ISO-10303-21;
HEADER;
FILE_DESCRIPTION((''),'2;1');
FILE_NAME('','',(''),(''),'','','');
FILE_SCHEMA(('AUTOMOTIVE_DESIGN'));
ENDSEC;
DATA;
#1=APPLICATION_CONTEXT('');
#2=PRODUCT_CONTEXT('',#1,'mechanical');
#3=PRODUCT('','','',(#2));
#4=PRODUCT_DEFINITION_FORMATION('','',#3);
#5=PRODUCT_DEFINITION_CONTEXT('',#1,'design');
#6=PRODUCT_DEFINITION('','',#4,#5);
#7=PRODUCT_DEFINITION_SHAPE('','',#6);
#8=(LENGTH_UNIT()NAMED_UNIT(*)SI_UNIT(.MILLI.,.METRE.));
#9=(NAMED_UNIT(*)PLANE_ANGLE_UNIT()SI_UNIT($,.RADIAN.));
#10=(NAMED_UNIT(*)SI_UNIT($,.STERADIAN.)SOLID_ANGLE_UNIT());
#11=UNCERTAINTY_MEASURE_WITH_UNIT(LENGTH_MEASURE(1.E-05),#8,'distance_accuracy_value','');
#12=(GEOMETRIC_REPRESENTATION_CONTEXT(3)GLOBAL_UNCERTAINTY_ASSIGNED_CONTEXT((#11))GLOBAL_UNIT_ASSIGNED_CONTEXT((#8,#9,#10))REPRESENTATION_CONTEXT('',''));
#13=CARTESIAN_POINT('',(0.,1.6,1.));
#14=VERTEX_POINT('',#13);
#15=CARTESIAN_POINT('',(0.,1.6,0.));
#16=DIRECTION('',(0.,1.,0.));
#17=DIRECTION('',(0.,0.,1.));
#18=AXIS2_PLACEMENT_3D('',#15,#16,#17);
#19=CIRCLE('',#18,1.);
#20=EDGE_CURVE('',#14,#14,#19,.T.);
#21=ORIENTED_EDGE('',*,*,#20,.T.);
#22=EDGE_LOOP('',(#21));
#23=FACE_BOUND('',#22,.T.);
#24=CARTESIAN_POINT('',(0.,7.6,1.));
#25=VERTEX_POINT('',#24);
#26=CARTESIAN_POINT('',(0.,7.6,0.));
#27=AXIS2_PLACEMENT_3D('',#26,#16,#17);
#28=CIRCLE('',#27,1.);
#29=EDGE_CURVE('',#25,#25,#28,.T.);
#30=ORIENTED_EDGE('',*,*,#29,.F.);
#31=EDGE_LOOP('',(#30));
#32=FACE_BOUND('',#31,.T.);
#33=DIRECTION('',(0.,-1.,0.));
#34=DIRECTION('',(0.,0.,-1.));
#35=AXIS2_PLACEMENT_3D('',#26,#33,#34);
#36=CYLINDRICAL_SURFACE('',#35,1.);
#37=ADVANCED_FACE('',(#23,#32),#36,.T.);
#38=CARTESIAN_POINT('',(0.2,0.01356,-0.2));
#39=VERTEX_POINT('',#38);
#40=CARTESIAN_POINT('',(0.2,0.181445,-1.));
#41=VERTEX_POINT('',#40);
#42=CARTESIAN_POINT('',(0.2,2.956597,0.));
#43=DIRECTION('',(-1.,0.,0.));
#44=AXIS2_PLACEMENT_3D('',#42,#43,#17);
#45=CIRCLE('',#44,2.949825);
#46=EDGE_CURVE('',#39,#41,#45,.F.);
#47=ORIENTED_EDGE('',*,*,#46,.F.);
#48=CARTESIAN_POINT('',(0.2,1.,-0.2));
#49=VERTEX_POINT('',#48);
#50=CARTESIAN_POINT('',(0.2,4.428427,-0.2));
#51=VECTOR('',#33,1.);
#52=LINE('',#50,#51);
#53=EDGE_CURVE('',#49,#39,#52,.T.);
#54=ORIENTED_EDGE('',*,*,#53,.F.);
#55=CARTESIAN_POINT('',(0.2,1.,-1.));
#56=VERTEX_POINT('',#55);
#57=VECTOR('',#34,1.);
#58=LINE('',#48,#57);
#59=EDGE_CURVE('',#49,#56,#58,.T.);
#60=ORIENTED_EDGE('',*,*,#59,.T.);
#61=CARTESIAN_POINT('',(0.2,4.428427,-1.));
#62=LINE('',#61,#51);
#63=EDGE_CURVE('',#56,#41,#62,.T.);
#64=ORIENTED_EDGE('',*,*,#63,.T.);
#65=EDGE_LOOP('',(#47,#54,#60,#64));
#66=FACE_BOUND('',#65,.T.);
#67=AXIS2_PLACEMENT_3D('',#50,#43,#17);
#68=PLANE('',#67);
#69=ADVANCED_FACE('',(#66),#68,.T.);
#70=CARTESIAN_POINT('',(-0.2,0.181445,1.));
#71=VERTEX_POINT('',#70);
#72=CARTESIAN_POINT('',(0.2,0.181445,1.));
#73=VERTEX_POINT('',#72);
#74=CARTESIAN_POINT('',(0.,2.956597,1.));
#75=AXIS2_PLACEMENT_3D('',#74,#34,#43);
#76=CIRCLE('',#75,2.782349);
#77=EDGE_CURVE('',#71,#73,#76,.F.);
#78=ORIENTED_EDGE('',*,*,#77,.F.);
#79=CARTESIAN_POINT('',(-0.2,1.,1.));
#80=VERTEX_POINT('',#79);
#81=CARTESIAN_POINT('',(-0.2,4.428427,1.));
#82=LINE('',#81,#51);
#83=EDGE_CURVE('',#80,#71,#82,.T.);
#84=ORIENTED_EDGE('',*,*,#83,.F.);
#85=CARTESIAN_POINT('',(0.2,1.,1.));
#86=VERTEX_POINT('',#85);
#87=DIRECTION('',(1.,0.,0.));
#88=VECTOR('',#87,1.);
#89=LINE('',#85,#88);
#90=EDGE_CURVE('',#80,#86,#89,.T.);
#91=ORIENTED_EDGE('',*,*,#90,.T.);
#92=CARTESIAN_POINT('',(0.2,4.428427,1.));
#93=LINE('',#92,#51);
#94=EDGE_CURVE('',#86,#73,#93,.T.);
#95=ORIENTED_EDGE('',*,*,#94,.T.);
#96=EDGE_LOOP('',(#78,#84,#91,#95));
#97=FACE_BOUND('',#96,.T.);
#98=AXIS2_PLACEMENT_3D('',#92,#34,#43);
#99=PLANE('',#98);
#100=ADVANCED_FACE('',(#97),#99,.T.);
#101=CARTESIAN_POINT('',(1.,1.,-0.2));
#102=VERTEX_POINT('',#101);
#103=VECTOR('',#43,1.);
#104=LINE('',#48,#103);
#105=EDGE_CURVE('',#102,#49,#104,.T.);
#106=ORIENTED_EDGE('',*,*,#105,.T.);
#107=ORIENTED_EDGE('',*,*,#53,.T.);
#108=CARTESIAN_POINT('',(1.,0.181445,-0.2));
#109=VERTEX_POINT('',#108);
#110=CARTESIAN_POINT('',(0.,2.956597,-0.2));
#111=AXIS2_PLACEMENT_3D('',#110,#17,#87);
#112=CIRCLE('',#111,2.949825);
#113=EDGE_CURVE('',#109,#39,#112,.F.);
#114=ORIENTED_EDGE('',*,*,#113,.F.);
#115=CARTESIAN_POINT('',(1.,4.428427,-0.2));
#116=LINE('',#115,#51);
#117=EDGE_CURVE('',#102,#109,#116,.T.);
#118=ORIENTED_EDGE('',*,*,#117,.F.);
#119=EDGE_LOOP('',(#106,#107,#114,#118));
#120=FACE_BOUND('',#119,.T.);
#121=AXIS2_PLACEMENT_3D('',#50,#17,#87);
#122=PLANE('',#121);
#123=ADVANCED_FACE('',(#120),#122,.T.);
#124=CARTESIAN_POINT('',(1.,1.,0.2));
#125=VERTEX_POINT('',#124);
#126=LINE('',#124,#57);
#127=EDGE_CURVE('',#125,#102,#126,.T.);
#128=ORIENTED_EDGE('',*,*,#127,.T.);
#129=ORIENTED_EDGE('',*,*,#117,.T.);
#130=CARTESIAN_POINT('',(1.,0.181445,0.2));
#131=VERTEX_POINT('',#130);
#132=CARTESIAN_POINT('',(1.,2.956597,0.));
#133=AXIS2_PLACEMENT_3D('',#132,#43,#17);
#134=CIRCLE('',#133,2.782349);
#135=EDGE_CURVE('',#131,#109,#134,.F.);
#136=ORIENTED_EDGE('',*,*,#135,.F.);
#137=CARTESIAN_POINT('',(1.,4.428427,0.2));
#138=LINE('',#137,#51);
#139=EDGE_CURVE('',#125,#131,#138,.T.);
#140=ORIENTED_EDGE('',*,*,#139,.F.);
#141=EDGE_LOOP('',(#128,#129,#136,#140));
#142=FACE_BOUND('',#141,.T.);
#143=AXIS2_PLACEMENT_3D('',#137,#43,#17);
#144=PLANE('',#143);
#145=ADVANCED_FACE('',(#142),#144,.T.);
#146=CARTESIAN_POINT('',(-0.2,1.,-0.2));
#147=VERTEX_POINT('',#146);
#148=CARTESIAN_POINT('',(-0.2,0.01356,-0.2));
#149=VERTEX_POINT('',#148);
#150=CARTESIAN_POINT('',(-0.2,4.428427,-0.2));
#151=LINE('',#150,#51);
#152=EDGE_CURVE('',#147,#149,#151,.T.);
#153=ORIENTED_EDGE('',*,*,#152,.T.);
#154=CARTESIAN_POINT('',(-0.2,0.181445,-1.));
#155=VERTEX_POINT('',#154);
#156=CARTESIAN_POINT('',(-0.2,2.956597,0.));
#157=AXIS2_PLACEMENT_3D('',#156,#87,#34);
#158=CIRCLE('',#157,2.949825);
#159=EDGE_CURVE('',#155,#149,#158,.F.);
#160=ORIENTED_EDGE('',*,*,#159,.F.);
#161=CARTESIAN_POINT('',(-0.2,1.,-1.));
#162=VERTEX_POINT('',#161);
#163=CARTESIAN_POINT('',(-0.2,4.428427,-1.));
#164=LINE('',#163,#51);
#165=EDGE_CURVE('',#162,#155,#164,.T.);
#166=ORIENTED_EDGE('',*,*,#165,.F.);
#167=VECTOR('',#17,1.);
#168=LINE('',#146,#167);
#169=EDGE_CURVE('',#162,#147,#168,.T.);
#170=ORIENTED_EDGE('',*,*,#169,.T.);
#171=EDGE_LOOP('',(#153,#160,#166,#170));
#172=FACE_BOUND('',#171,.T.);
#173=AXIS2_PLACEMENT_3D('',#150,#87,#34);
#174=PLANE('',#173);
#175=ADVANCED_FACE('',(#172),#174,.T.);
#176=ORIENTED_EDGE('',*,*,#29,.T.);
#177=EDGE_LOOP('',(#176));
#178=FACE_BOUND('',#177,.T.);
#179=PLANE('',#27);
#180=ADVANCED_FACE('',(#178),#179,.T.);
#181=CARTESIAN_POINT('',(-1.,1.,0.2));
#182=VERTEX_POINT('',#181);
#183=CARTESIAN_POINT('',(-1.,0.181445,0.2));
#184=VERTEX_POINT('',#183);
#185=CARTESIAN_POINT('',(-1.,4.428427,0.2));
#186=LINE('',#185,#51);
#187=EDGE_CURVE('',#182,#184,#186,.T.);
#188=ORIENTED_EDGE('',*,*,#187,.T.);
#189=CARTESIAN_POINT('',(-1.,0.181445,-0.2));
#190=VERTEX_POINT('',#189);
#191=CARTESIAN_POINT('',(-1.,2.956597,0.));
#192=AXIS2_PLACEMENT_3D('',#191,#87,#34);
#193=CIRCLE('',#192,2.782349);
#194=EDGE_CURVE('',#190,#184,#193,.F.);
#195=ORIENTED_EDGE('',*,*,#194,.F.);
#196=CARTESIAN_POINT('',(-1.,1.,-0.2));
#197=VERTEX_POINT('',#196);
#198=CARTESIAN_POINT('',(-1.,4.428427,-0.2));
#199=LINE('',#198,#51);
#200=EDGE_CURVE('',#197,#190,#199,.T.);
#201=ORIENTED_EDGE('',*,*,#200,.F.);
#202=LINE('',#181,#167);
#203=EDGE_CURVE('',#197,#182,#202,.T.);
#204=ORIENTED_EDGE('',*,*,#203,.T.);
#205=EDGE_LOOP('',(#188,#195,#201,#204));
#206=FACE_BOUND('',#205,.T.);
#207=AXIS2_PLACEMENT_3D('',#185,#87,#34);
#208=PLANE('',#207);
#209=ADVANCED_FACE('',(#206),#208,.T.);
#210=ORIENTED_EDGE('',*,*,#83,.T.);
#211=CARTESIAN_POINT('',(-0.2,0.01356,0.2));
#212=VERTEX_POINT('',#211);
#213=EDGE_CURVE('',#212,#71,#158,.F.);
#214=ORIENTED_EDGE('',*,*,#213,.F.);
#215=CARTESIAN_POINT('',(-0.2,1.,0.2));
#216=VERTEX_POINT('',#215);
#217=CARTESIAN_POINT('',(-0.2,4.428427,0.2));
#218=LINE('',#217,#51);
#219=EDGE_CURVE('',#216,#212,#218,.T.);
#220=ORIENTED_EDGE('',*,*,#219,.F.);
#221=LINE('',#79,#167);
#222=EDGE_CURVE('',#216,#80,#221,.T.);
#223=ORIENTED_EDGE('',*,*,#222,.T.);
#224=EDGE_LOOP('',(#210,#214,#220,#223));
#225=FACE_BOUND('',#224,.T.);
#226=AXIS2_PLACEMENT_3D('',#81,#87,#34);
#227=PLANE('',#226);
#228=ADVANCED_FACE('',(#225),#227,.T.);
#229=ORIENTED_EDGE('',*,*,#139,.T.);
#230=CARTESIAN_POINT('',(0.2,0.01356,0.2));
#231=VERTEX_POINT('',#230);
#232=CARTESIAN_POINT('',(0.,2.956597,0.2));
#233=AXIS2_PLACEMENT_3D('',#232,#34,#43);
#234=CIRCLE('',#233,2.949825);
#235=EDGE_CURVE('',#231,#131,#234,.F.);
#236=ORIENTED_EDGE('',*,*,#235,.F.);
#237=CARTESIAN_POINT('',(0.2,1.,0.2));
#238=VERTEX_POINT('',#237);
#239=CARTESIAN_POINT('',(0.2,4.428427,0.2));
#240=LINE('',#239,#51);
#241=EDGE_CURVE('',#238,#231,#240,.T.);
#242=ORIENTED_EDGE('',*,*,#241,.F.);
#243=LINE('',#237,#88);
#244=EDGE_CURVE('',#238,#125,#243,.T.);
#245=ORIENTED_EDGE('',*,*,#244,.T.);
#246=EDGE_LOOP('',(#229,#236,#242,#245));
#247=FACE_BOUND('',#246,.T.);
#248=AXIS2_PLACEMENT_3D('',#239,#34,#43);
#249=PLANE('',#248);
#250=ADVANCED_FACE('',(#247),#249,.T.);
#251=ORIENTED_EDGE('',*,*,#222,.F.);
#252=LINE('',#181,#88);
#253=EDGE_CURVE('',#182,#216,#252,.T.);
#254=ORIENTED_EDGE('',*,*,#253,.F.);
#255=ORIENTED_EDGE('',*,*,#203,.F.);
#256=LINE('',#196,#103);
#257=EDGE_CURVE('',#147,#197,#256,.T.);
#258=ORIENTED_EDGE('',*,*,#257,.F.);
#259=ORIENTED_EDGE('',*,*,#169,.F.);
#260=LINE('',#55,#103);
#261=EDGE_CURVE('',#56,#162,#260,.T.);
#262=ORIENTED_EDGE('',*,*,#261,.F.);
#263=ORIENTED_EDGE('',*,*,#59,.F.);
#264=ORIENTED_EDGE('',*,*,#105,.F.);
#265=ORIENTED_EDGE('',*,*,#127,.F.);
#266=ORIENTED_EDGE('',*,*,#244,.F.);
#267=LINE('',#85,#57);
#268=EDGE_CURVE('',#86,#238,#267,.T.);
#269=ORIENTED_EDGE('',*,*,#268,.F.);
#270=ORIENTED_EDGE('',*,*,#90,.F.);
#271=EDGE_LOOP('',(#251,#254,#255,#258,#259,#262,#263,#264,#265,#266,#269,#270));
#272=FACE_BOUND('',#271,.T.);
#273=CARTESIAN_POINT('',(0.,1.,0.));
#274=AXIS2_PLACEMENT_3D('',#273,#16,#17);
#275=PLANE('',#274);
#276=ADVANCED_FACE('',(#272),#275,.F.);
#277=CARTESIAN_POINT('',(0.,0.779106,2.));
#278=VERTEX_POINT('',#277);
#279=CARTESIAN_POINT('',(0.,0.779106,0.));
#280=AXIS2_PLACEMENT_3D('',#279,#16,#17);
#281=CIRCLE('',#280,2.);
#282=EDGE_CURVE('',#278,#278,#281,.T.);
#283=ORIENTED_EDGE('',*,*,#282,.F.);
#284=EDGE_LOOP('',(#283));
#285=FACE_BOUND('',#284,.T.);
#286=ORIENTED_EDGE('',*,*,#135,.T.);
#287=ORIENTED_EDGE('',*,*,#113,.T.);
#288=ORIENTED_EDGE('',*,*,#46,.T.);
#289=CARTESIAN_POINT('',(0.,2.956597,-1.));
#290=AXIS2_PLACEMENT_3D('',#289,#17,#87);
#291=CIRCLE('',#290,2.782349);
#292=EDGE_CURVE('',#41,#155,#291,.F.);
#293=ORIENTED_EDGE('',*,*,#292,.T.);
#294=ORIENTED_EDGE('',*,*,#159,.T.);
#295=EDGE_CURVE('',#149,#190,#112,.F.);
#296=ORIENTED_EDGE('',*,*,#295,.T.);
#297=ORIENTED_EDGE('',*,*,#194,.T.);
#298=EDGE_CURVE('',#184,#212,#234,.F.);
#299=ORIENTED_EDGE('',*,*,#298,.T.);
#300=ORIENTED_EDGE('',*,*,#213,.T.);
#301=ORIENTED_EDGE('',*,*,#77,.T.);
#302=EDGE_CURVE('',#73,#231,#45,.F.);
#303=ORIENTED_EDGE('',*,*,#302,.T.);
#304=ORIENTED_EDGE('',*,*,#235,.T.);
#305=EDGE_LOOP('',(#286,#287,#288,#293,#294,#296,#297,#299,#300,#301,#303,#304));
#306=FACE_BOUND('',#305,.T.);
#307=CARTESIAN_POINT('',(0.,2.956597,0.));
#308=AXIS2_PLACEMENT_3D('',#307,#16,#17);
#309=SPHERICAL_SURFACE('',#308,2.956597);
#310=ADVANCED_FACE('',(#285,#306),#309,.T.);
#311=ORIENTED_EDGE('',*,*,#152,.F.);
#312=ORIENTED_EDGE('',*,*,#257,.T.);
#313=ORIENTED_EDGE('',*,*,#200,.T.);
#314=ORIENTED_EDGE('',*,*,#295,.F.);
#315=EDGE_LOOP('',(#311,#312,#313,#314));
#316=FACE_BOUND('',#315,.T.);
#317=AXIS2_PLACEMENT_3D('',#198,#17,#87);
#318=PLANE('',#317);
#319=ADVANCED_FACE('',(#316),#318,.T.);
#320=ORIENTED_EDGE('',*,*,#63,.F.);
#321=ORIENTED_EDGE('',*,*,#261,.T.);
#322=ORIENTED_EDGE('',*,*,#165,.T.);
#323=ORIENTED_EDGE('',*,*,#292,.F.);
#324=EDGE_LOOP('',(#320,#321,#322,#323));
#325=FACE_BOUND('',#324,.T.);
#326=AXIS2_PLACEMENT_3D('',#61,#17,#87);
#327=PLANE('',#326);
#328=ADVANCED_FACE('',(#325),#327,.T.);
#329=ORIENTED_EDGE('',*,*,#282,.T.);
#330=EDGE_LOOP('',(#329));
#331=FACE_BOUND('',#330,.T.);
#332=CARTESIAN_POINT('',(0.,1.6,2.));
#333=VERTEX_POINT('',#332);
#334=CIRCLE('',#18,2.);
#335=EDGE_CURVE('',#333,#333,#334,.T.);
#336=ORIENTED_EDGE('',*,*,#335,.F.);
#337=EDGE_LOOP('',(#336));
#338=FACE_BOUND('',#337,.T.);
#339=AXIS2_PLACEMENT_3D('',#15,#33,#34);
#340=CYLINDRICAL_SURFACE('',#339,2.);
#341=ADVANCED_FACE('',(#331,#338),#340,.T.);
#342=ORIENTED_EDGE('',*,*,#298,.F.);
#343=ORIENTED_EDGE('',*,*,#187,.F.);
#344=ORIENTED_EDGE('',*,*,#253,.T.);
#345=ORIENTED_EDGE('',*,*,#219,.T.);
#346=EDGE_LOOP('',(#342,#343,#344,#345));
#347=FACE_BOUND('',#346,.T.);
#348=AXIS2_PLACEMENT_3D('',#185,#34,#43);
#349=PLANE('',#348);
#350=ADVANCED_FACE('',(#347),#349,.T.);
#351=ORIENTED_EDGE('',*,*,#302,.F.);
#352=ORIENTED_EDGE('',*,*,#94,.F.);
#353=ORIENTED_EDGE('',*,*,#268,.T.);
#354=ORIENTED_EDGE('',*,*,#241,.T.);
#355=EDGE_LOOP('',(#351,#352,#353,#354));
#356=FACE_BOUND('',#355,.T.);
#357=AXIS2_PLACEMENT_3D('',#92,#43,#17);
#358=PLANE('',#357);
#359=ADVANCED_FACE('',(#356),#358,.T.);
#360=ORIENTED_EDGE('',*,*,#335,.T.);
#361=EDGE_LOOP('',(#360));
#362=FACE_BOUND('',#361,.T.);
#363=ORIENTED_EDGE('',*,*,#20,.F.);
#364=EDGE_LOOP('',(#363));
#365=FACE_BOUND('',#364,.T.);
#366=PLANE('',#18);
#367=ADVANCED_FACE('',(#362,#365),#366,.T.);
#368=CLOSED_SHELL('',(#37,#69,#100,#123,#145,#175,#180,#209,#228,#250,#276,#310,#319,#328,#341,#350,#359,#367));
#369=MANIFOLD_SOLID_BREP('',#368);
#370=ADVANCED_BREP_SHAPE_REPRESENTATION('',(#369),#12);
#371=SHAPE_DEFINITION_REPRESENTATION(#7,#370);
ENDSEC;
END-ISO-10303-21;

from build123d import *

# Parameters (mm, degrees)
SKETCH_1_R          = 2
EXTRUDE_1_DEPTH     = 1.6
SKETCH_2_R          = 1
EXTRUDE_2_DEPTH     = 6
CUT_EXTRUDE_1_DEPTH = 6


with BuildPart() as part:
    # 草图1 → 凸台-拉伸1 (new body)
    with BuildSketch(Plane(origin=(0, 0, 0), x_dir=(1, 0, 0), z_dir=(0, 1, 0))):
        Circle(SKETCH_1_R)
    extrude(amount=EXTRUDE_1_DEPTH)

    # 草图2 → 凸台-拉伸2 (add)
    with BuildSketch(Plane(origin=(0, 1.6, 0), x_dir=(1, 0, 0), z_dir=(0, 1, 0))):
        Circle(SKETCH_2_R)
    extrude(amount=EXTRUDE_2_DEPTH)

    # 草图3 one side → 切除-旋转3 (revolve, cut)
    with BuildSketch(Plane(origin=(0, 0, 0), x_dir=(0, 0, -1), z_dir=(1, 0, 0))):
        with BuildLine():
            ThreePointArc((2, 0.779106216), (1.073196918, 0.201653394), (0, 0))
            Line((0, 0), (0, -0.936416285))
            Line((0, -0.936416285), (3.543500435, -0.936416285))
            Line((3.543500435, -0.936416285), (2, 0.779106216))
        make_face()
    revolve(axis=Axis((0, 1.035939113, 0), (0, -1, 0)), mode=Mode.SUBTRACT)

    # 草图4 → 切除-拉伸1 (cut)
    with BuildSketch(Plane(origin=(0, -5, 0), x_dir=(1, 0, 0), z_dir=(0, 1, 0))):
        Polygon((-1, -0.2), (-0.2, -0.2), (-0.2, -1), (0.2, -1), (0.2, -0.2), (1, -0.2), (1, 0.2), (0.2, 0.2), (0.2, 1), (-0.2, 1), (-0.2, 0.2), (-1, 0.2), align=None)
    extrude(amount=CUT_EXTRUDE_1_DEPTH, mode=Mode.SUBTRACT)


solid = part.part
